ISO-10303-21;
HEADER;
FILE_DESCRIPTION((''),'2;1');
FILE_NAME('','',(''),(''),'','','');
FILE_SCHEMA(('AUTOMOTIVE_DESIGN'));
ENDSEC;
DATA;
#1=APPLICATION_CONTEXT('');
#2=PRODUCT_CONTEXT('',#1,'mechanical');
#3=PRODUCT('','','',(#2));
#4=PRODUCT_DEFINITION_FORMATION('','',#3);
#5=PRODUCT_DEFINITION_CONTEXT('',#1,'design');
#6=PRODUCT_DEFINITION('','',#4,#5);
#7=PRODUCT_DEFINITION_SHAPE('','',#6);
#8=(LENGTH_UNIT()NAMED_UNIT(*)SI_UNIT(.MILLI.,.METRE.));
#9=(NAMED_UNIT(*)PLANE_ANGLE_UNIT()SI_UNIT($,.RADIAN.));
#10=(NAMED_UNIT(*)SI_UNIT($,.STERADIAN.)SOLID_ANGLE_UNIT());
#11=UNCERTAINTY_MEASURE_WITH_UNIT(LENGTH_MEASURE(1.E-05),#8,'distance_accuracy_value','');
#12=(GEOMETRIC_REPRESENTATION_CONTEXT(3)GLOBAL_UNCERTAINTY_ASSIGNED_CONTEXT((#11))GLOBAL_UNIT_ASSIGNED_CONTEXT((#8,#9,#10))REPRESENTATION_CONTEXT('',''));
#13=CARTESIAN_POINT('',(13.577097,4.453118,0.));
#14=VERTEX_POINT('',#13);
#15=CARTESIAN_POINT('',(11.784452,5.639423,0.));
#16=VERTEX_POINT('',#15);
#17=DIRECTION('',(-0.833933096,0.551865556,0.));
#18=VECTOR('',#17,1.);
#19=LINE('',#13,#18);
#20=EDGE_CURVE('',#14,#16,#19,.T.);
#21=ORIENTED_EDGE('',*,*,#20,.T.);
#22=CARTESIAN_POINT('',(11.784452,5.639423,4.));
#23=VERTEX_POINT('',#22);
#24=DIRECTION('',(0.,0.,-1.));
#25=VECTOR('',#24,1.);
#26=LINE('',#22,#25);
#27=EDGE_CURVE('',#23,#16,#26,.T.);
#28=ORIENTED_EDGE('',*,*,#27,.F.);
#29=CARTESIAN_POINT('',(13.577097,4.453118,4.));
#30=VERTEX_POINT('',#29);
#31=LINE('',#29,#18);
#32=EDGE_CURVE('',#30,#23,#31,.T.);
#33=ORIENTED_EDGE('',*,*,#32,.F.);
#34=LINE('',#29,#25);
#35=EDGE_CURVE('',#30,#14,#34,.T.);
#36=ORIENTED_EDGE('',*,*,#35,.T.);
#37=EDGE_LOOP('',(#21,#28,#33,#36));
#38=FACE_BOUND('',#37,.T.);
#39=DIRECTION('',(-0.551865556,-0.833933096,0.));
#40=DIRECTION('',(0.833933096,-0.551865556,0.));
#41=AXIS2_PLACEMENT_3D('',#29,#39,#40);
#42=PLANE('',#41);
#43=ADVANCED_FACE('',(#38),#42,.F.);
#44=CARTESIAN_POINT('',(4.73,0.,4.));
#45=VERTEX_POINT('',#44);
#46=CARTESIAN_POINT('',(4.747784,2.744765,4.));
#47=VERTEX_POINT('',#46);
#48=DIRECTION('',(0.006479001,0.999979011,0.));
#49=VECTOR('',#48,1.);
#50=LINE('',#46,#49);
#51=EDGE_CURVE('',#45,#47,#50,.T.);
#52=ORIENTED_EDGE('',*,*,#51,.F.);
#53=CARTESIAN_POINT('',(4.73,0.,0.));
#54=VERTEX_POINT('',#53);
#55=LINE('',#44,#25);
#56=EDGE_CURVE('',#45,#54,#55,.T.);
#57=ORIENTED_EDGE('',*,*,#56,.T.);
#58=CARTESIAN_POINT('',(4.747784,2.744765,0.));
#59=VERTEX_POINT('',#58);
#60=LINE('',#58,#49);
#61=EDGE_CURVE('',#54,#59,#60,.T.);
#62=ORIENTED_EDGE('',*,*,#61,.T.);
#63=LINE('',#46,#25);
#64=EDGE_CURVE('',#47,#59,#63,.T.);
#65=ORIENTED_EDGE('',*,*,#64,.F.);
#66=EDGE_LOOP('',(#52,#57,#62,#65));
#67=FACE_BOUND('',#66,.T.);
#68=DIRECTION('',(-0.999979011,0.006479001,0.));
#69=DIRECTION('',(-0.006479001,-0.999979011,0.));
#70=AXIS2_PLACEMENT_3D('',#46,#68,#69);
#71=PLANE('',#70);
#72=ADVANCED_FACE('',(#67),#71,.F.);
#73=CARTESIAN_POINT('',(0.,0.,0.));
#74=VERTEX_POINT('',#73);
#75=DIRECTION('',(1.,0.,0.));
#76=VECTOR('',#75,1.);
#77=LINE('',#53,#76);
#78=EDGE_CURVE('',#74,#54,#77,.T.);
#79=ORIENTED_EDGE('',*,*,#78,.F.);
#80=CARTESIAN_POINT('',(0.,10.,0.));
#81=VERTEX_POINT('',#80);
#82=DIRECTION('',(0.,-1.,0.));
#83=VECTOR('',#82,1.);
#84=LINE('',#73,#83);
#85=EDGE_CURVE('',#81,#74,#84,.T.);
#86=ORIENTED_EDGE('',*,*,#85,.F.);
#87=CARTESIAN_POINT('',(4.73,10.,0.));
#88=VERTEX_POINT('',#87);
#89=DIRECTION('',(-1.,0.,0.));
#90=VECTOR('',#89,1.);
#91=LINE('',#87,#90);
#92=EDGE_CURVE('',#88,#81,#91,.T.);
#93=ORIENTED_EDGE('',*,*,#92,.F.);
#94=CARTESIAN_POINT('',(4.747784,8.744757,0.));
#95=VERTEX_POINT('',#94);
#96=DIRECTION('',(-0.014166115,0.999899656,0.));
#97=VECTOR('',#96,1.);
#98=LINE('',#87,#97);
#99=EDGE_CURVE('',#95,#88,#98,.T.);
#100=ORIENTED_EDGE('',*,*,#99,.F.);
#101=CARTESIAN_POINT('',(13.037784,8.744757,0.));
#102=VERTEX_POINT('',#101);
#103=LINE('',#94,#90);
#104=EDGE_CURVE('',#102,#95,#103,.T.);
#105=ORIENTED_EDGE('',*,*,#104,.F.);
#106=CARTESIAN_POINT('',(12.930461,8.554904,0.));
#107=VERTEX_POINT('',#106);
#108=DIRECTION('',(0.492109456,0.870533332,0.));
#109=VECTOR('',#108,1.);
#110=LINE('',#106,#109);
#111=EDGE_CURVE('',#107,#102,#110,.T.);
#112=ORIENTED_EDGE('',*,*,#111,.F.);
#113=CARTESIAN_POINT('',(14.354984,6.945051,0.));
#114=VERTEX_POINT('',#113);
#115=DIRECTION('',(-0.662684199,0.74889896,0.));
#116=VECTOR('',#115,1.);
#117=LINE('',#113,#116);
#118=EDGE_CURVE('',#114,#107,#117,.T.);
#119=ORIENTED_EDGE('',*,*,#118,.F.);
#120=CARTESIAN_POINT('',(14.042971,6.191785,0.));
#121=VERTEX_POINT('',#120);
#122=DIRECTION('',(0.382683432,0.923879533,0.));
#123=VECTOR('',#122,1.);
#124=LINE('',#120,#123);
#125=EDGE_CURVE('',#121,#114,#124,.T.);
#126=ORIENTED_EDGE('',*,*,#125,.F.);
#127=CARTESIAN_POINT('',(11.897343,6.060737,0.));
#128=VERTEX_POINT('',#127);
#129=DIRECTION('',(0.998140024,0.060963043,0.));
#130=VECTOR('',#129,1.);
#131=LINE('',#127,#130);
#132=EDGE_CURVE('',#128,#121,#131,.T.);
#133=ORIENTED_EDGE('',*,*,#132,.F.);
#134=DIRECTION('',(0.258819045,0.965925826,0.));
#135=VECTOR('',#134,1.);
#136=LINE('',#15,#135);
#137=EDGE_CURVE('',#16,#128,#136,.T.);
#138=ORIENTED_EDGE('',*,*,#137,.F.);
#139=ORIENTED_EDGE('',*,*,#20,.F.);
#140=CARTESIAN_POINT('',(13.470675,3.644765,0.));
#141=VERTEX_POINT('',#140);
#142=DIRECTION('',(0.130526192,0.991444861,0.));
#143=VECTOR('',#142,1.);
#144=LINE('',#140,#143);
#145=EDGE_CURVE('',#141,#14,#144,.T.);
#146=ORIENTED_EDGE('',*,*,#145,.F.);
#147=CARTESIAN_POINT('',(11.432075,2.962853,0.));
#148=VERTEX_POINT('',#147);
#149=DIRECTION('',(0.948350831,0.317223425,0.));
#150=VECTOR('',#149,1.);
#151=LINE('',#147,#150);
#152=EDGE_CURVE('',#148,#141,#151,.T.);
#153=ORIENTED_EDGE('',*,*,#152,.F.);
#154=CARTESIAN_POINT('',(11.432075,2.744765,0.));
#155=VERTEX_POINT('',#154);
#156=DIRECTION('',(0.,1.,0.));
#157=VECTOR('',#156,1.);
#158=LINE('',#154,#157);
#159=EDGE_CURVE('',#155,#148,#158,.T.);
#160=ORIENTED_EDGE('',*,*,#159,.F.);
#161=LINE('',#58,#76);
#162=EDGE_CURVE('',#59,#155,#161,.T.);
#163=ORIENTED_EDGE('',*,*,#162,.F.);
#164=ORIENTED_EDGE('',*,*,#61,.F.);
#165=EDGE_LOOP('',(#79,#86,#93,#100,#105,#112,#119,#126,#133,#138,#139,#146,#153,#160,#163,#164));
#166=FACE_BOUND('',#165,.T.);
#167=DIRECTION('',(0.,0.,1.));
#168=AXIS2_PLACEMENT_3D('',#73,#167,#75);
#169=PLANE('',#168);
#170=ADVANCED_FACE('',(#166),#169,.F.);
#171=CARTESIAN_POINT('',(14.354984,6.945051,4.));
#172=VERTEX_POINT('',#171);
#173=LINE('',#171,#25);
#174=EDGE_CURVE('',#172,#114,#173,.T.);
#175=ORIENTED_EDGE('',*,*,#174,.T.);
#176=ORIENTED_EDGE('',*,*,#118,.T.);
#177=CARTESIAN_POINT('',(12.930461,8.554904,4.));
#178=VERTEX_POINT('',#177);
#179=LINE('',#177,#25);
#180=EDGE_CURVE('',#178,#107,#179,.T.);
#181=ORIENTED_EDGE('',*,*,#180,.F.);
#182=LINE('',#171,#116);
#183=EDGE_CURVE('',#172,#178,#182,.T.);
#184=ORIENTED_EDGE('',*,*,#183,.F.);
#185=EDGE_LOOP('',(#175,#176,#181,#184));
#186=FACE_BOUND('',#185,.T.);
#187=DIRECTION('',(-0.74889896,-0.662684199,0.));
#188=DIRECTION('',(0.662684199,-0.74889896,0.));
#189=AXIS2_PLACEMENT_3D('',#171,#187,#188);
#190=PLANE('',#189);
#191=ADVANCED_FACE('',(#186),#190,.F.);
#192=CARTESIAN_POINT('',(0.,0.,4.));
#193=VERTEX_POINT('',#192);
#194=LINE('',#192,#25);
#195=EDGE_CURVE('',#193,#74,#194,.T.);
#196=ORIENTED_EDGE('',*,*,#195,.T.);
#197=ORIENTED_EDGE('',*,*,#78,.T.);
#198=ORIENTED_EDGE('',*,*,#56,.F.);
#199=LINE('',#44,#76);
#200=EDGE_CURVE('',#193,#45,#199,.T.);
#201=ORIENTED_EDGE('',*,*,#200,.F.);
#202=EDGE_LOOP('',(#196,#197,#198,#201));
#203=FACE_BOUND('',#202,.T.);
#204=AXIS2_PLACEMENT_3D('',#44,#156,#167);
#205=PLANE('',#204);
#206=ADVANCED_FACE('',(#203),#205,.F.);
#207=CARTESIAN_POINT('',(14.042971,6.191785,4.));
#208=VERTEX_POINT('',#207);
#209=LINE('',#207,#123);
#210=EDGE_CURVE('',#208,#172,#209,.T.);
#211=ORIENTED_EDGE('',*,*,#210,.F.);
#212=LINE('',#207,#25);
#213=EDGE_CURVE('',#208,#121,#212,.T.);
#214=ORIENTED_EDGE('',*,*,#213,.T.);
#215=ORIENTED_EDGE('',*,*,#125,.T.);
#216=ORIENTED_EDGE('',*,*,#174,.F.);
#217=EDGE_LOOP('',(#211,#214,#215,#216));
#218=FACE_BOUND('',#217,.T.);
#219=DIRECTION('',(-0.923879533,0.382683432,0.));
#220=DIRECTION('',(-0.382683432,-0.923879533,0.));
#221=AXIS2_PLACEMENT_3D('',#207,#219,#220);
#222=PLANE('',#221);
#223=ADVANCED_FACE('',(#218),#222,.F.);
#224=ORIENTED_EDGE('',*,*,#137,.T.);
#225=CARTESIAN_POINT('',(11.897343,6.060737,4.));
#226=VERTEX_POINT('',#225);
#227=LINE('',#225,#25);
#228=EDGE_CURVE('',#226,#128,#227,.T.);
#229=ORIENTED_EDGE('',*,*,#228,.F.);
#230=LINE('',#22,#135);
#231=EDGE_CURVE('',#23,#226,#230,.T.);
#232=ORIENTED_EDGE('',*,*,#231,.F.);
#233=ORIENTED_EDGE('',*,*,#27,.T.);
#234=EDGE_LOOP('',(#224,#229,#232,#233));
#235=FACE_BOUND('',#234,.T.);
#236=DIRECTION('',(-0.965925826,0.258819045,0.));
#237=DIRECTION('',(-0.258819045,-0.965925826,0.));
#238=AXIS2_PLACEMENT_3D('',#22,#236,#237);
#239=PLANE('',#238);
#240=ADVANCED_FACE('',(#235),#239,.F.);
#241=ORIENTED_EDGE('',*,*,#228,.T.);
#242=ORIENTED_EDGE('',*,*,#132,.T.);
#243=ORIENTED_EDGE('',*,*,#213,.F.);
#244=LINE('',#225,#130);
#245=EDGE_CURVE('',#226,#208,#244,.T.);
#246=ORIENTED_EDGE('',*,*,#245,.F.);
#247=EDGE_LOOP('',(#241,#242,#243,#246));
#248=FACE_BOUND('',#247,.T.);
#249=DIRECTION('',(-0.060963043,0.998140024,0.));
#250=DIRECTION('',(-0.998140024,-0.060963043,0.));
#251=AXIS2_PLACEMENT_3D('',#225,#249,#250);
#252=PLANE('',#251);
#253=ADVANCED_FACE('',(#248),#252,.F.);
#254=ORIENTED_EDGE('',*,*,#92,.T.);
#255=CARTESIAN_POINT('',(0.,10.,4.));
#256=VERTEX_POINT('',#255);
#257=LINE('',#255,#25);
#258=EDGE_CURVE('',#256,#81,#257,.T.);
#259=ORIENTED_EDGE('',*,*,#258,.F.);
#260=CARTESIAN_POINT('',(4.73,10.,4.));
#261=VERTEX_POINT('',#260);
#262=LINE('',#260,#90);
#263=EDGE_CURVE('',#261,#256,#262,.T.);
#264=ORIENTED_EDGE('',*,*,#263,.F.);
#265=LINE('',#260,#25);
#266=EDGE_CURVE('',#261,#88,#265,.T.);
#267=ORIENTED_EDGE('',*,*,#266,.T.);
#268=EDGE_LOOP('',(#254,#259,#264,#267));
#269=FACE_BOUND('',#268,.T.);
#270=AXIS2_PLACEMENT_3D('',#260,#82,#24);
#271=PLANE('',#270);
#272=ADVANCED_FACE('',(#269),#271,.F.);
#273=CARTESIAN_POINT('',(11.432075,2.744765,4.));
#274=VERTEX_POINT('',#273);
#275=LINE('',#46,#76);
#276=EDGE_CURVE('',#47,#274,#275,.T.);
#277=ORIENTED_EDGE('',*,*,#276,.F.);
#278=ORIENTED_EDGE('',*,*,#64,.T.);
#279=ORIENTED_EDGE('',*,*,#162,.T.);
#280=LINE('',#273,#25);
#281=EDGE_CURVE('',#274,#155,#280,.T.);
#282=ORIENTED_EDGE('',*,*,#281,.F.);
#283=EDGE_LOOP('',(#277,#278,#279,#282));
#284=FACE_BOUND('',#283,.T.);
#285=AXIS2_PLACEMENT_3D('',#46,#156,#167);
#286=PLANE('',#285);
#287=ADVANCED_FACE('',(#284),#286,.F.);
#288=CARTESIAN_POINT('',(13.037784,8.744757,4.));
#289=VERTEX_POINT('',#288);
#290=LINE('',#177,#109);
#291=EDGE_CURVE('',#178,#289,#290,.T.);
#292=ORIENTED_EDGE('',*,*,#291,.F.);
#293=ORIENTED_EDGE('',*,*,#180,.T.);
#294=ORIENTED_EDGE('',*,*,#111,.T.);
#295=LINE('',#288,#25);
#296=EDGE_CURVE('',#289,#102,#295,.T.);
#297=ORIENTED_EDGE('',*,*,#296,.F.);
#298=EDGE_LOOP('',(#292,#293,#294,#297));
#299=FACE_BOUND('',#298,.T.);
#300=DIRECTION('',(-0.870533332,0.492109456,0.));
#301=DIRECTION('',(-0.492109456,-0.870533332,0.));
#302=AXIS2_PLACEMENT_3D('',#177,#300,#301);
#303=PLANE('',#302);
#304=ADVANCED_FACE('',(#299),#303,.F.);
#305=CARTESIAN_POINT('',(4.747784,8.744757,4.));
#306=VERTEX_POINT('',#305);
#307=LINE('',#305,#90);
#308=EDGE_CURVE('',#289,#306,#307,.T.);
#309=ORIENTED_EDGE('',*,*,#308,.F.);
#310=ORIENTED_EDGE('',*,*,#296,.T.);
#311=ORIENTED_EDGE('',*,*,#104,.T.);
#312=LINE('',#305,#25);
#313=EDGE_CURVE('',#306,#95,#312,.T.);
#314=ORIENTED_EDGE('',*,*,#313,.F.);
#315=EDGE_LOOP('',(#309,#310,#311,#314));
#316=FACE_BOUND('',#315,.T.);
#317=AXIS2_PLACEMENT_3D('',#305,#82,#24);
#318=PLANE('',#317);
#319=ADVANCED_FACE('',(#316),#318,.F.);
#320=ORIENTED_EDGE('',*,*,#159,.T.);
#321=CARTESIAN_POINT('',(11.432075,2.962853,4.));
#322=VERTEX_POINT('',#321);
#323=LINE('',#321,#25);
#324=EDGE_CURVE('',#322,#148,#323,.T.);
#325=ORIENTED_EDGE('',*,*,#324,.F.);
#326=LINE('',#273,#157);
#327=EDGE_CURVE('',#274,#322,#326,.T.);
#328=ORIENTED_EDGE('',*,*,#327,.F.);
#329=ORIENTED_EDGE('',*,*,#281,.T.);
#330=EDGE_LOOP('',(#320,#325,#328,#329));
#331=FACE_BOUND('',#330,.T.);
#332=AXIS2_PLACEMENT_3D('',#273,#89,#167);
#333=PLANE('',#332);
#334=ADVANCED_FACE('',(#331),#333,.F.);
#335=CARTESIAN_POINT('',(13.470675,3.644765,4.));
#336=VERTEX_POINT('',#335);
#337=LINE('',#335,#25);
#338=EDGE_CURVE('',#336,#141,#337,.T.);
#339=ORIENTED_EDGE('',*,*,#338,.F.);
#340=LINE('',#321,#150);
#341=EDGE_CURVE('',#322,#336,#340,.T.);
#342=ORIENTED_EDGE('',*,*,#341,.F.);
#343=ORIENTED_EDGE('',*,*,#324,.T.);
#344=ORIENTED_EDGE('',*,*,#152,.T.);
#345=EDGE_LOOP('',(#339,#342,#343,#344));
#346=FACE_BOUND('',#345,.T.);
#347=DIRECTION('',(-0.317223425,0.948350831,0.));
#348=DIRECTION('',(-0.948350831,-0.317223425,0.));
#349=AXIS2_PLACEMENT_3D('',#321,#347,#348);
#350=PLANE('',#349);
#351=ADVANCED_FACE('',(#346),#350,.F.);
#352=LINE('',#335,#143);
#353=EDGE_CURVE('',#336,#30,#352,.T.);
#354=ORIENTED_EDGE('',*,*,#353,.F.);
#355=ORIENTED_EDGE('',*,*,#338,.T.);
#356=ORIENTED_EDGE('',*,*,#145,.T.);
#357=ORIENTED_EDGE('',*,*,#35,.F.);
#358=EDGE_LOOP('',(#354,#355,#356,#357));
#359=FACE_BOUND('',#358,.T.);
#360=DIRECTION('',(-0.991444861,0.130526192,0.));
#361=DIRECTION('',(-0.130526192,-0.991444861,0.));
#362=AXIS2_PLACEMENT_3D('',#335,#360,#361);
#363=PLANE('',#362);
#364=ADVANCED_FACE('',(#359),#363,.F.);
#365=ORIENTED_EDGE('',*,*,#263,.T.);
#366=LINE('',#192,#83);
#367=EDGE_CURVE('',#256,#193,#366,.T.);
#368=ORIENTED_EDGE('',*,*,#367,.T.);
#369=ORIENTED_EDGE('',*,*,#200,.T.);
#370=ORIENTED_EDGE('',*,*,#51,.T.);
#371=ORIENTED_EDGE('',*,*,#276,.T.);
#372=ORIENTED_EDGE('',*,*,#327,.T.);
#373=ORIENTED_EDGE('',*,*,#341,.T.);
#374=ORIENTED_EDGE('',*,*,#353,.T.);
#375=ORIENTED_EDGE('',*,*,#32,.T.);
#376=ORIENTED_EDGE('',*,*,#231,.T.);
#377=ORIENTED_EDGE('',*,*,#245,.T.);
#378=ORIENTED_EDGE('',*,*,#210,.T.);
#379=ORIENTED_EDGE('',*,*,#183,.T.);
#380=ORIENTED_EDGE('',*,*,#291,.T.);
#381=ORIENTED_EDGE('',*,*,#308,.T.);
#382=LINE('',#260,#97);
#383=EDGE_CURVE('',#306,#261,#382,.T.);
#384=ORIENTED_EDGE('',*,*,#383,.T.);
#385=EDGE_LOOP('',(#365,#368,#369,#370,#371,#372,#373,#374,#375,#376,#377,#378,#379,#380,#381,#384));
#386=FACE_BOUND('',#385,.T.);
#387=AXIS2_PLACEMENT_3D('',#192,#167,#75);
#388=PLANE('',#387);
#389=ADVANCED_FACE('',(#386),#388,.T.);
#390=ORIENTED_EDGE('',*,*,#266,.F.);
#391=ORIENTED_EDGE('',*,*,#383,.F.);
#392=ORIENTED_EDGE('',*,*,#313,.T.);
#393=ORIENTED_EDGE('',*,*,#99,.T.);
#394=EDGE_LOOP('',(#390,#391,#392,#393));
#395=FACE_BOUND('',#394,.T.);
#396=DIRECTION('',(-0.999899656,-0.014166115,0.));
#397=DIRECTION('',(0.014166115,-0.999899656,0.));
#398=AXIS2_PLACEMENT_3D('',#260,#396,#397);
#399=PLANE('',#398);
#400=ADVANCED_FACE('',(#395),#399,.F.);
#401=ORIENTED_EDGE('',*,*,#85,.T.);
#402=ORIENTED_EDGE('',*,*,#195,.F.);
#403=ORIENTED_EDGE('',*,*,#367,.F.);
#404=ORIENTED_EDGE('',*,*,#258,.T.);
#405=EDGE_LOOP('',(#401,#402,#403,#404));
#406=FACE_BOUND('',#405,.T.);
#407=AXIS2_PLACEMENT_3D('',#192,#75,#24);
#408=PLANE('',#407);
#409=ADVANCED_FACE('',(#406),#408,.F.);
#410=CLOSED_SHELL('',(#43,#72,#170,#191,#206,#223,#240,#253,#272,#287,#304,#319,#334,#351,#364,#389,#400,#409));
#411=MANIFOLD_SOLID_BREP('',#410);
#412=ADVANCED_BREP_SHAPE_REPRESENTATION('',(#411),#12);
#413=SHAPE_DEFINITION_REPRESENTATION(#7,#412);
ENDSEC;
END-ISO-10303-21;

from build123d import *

# Parameters (mm, degrees)
BOSS_EXTRUDE1_DEPTH = 4


with BuildPart() as part:
    # Sketch1 → Boss-Extrude1 (new body)
    with BuildSketch(Plane.XY):
        Polygon((4.747783705, 2.744764558), (11.432074911, 2.744764558), (11.432074911, 2.962852563), (13.470675328, 3.644764558), (13.577097115, 4.453118281), (11.784452134, 5.639423302), (11.897342793, 6.060736975), (14.042971396, 6.191784769), (14.354984287, 6.945050522), (12.930460535, 8.554903841), (13.037783705, 8.744756719), (4.747783705, 8.744756719), (4.73, 10), (0, 10), (0, 0), (4.73, 0), align=None)
    extrude(amount=BOSS_EXTRUDE1_DEPTH)


solid = part.part
